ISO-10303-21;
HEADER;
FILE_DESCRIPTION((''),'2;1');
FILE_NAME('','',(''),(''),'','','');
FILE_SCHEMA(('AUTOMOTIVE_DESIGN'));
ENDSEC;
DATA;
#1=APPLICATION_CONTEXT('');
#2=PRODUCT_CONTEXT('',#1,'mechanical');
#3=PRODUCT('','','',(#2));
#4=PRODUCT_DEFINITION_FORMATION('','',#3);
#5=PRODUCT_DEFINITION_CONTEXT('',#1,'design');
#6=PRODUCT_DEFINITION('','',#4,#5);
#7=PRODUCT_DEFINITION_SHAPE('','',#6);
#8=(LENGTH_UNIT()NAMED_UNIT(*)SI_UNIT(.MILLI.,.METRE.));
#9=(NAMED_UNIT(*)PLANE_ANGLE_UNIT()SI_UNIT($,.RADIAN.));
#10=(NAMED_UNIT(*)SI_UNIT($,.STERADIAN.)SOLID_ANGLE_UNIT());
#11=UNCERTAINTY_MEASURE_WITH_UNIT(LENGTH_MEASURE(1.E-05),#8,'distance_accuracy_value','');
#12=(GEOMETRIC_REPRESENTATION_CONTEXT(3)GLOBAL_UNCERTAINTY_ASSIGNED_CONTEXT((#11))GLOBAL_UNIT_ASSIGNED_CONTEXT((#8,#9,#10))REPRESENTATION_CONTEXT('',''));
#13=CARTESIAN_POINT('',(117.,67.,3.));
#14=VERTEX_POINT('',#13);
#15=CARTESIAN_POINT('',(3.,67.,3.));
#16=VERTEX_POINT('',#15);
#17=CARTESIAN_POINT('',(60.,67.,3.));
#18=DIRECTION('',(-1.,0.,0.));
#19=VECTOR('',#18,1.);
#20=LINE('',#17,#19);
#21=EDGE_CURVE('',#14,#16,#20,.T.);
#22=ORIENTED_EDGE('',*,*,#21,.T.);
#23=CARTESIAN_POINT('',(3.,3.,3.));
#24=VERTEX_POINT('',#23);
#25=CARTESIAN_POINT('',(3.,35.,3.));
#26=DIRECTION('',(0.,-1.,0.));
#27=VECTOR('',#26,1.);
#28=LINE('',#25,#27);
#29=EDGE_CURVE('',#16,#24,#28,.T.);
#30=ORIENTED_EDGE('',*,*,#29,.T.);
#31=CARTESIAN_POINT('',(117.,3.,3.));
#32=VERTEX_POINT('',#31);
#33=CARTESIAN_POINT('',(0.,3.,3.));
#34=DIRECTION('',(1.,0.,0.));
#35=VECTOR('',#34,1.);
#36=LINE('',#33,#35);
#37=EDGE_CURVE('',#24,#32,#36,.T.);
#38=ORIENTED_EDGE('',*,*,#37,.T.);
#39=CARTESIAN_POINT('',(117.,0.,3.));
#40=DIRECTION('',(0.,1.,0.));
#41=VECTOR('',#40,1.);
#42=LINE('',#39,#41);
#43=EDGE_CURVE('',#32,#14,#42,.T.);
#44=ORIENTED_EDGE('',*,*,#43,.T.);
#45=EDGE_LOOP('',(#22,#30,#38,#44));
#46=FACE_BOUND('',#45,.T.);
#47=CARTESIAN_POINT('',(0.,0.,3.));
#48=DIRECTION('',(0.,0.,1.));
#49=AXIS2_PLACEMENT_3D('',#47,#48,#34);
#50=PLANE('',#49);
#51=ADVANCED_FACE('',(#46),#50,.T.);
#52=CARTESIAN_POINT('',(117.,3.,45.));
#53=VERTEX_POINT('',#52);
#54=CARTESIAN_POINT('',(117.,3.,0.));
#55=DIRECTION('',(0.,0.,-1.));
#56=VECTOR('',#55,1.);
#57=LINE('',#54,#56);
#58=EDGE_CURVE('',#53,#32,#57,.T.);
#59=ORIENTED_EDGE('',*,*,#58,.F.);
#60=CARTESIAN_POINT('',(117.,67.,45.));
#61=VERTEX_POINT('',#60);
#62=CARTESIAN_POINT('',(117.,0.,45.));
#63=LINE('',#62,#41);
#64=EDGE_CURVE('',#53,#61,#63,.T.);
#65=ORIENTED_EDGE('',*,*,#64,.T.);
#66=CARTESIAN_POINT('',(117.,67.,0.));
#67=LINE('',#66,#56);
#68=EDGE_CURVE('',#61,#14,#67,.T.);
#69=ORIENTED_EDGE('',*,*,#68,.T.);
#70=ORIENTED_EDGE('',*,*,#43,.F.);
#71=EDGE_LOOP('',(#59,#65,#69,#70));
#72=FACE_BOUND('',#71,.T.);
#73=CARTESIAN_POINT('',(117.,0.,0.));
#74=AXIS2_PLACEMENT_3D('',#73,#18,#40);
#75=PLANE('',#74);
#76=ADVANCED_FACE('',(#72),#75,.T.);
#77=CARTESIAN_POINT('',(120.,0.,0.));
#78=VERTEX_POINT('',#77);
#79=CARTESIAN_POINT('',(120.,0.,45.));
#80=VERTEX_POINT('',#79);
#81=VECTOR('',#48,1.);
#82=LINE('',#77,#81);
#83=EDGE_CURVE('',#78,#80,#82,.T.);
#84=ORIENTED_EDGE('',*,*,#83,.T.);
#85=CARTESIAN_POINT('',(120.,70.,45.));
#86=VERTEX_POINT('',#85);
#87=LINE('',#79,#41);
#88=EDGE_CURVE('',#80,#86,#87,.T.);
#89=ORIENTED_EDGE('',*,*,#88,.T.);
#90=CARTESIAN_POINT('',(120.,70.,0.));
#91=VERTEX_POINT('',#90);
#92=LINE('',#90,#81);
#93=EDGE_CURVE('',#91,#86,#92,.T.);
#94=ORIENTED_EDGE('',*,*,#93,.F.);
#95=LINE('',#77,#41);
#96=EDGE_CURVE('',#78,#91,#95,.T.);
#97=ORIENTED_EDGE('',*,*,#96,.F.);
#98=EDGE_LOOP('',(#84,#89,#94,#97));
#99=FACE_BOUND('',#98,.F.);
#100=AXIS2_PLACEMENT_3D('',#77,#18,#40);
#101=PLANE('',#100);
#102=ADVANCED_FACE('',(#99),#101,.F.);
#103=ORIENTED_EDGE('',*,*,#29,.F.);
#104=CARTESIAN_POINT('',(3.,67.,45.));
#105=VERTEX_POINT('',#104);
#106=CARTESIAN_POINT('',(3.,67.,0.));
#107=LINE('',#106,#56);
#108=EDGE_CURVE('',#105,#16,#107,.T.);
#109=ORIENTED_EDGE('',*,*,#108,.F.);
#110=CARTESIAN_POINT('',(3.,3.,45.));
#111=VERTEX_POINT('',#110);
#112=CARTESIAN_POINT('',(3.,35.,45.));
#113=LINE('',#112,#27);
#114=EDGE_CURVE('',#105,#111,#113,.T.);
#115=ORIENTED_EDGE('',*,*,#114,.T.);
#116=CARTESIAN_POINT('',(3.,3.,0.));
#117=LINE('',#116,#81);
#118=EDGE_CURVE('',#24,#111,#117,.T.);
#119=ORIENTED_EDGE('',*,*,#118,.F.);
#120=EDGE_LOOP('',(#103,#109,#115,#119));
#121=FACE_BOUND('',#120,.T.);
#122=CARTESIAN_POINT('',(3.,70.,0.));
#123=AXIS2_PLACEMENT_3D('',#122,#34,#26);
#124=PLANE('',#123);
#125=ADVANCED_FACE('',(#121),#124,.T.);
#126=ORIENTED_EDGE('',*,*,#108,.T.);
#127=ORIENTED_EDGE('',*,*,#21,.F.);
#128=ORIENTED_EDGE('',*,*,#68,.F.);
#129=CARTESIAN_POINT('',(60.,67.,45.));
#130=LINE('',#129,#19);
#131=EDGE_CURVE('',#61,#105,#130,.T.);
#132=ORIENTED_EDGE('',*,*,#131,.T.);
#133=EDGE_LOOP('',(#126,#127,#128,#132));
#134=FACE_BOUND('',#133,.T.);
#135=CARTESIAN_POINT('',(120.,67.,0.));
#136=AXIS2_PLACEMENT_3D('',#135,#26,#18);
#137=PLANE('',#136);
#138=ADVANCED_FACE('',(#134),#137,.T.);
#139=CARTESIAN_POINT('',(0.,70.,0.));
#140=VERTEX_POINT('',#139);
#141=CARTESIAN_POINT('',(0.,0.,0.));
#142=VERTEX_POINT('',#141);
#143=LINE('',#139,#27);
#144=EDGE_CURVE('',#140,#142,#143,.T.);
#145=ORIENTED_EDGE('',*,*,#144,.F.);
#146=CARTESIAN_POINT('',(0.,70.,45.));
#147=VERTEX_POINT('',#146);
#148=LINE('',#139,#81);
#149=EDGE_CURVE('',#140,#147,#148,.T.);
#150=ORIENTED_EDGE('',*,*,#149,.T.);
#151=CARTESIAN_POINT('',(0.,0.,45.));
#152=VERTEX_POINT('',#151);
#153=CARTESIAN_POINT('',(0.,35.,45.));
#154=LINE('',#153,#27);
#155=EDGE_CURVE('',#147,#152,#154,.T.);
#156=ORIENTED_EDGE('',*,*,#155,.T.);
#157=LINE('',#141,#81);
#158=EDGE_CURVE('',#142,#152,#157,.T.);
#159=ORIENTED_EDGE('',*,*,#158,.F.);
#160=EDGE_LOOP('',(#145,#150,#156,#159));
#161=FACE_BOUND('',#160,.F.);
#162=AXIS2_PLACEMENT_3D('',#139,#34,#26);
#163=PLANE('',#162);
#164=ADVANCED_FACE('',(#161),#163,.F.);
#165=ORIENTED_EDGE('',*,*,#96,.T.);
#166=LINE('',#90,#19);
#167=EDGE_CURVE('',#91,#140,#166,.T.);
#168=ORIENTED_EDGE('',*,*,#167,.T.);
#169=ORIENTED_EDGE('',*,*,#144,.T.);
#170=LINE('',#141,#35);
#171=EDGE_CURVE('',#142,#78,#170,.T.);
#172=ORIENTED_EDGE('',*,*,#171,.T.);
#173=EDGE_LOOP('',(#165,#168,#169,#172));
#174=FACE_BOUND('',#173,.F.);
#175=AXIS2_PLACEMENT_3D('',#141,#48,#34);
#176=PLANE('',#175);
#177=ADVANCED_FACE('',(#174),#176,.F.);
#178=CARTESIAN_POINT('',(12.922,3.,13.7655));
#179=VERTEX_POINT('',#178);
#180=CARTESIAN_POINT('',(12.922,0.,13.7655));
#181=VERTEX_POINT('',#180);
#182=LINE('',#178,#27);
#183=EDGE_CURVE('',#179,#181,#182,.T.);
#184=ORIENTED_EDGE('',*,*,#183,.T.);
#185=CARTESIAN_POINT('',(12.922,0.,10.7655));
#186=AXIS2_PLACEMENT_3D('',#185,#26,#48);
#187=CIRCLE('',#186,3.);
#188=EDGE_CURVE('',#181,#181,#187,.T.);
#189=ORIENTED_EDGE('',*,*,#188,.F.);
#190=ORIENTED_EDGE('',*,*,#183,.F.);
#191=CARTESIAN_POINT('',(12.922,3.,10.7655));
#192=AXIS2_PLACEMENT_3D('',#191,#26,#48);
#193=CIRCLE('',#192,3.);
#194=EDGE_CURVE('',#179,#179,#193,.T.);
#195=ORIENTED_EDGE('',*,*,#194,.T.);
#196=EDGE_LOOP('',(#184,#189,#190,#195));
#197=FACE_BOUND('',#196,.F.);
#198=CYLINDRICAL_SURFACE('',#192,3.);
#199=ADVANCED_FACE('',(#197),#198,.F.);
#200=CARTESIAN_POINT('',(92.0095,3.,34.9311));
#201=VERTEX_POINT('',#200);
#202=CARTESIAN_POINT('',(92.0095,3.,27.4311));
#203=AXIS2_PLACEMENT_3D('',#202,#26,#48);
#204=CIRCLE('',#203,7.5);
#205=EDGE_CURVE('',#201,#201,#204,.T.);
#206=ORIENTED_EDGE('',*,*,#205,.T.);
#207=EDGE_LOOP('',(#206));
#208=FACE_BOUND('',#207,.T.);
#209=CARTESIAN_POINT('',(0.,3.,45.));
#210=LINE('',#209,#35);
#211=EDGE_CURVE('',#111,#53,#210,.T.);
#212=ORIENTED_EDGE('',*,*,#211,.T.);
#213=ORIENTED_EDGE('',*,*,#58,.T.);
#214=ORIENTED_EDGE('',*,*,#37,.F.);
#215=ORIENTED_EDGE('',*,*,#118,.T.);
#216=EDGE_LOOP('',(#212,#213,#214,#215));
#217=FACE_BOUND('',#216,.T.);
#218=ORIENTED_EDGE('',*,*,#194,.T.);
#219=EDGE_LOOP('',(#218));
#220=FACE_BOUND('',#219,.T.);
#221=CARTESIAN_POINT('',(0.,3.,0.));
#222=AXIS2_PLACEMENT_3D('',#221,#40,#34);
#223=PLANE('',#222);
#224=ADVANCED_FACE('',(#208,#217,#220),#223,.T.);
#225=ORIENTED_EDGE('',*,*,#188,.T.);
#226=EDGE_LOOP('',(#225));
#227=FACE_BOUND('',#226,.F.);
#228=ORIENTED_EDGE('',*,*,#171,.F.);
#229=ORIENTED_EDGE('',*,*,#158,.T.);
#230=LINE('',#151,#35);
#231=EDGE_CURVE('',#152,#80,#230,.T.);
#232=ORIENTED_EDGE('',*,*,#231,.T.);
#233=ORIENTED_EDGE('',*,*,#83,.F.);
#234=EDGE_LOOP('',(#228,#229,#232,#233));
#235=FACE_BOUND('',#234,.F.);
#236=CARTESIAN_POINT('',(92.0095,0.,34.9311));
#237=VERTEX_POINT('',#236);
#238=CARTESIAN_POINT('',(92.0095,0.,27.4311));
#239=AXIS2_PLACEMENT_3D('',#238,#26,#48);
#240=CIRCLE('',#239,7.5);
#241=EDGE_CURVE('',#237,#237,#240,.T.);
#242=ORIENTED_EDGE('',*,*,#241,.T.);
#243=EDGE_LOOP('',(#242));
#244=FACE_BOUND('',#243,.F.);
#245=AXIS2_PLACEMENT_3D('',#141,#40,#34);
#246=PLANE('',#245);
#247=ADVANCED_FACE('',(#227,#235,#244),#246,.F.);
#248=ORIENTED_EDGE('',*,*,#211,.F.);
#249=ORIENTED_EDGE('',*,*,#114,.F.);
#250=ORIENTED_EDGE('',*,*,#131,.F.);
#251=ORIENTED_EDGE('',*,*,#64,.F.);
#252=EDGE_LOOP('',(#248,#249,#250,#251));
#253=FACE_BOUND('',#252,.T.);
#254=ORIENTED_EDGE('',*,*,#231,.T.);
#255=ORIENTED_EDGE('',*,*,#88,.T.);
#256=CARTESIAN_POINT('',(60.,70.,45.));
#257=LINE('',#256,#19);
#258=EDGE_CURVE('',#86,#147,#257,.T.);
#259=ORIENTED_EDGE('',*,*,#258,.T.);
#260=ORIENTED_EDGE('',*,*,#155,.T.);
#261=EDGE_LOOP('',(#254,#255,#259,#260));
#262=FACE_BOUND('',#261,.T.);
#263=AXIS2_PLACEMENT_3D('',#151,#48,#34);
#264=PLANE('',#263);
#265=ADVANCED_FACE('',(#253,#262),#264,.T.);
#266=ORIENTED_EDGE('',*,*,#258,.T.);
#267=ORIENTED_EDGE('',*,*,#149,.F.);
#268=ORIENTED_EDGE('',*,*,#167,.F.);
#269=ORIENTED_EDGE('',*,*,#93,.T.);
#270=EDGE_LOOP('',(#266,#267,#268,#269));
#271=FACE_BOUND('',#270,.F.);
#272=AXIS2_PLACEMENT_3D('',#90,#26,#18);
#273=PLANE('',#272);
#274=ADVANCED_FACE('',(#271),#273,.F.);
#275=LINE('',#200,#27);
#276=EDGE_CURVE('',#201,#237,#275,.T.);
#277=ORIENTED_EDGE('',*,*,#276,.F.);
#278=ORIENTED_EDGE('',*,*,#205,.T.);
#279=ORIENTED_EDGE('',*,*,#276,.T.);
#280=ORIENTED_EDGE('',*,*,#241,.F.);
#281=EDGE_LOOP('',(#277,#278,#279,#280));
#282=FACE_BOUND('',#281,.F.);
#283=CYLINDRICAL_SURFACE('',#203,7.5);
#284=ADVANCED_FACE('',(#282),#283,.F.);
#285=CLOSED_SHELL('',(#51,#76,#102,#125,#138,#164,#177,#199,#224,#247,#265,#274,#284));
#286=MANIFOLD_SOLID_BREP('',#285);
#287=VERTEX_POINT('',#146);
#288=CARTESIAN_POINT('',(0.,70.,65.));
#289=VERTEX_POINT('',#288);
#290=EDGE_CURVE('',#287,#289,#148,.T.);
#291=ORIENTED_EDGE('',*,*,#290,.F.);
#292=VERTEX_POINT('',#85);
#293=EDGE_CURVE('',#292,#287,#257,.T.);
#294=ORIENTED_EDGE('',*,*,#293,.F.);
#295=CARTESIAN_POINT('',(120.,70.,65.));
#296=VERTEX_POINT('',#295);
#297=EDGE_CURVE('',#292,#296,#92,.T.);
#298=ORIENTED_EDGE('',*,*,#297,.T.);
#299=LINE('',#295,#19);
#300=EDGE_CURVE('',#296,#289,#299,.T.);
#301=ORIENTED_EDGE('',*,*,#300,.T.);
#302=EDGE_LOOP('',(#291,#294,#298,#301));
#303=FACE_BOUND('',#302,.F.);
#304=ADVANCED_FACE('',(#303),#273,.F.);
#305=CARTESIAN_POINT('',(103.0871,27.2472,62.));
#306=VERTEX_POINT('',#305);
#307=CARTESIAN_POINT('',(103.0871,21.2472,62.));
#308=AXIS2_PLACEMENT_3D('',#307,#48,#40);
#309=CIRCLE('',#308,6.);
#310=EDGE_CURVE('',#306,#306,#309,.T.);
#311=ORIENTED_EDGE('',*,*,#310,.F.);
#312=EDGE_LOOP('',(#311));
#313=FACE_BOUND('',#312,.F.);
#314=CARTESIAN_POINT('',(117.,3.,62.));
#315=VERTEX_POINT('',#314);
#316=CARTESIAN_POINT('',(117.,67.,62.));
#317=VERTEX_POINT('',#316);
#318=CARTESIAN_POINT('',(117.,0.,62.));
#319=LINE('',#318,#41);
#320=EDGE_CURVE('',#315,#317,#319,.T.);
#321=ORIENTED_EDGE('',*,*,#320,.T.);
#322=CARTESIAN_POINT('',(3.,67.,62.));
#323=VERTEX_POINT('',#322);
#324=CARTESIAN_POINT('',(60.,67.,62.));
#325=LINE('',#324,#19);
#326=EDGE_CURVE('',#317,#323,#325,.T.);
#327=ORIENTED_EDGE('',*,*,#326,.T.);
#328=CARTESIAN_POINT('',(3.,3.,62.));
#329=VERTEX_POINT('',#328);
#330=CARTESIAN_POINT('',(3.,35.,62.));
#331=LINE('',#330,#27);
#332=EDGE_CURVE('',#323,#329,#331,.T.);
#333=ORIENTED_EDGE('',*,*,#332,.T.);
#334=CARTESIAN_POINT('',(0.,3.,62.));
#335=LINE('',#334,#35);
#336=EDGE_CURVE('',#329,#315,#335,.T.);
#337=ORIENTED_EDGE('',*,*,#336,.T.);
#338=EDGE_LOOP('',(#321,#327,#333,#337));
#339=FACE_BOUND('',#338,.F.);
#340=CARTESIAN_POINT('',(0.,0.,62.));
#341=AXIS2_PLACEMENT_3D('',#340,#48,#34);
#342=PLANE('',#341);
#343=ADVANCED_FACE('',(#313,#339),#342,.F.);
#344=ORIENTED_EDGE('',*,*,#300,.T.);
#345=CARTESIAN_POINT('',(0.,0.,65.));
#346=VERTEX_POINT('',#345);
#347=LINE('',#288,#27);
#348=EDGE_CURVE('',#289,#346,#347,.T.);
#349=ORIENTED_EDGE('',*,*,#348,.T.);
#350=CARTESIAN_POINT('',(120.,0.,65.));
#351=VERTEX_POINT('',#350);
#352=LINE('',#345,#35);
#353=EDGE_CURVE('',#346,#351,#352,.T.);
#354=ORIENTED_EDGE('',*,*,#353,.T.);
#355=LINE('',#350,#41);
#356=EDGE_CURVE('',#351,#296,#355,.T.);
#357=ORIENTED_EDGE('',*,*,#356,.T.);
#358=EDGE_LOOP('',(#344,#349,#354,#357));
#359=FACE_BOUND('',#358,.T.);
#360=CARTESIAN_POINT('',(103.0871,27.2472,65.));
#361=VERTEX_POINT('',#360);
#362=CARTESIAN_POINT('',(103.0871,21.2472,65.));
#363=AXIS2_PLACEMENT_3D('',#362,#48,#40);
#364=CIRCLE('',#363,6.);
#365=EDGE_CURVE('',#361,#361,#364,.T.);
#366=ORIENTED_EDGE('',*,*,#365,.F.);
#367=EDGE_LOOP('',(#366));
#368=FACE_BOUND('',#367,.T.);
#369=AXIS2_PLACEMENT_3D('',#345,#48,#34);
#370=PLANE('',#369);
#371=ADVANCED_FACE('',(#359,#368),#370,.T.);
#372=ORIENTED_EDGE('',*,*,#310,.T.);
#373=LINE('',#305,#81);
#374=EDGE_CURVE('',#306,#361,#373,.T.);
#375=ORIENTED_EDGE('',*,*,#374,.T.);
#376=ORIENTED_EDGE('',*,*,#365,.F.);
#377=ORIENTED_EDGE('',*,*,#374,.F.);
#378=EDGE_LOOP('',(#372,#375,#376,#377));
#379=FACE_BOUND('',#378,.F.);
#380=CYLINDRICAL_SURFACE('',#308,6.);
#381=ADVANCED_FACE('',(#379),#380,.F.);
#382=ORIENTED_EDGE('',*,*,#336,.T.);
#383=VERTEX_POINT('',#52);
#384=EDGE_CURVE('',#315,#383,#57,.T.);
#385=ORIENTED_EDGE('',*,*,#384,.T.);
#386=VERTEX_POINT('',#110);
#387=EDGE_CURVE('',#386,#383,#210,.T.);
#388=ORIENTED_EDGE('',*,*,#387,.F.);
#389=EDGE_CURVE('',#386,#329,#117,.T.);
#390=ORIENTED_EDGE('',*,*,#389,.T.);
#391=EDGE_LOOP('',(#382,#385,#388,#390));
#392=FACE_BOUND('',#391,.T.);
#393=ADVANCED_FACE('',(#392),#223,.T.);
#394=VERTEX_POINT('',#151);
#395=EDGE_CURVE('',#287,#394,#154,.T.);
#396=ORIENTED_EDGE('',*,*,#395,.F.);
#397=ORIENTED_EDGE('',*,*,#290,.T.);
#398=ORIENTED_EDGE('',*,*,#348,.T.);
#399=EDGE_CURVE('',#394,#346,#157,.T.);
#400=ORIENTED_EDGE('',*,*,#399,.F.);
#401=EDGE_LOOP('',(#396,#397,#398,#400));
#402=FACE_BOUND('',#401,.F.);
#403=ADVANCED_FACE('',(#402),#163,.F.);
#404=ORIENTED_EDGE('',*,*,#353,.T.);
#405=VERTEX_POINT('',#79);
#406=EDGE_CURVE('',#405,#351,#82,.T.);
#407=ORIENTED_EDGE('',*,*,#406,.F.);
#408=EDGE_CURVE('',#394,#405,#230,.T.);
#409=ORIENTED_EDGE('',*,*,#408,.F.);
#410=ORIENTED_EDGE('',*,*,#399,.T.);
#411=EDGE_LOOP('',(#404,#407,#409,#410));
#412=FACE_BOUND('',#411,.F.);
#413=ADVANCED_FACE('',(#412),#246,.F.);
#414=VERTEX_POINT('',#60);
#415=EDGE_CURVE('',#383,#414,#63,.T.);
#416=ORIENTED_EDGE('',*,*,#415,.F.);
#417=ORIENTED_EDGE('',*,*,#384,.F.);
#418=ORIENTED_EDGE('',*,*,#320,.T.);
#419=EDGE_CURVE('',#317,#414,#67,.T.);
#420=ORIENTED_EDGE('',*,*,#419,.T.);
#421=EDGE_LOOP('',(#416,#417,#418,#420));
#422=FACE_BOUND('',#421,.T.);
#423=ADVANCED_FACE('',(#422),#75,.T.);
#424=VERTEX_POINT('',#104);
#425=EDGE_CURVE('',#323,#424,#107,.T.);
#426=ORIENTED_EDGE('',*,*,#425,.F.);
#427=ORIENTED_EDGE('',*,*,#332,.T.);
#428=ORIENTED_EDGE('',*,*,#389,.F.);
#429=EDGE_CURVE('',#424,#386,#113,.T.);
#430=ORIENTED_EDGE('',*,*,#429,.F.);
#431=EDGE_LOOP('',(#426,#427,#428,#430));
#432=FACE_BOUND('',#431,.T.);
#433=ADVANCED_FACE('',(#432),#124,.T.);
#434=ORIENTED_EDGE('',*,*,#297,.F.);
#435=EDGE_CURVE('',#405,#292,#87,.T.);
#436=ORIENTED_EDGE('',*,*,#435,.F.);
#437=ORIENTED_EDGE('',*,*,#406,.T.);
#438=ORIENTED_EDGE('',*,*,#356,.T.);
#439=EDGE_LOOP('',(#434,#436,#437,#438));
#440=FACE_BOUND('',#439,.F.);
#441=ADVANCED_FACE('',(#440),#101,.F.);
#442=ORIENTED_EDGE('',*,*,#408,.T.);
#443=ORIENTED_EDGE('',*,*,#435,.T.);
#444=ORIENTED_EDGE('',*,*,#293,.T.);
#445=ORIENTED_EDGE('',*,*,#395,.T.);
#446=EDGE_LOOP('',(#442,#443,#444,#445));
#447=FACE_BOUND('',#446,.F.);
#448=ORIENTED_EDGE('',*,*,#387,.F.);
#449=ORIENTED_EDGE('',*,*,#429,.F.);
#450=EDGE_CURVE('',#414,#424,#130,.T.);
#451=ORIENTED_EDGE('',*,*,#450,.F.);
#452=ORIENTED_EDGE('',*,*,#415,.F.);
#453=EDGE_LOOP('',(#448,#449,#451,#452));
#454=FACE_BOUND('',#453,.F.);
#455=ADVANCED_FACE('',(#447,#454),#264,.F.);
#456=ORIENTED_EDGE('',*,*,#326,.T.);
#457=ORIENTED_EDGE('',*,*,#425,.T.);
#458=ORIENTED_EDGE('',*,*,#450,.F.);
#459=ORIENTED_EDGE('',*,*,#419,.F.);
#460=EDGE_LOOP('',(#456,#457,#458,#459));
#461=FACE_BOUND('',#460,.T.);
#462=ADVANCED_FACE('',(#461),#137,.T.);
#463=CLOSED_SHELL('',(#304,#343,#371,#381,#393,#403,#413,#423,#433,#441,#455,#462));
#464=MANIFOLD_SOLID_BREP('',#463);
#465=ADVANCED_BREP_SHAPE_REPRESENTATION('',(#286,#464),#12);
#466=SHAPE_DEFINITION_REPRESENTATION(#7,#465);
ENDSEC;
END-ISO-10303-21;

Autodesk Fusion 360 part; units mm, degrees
sketch "Sketch1" plane through (0, 0, 0) normal (0, 0, 1) x (1, 0, 0)
  line L0 (0, 0) -> (120, 0)
  line L1 (120, 0) -> (120, 70)
  line L2 (120, 70) -> (0, 70)
  line L3 (0, 70) -> (0, 0)
  dimension "d1" = 70
  dimension "d2" = 120
extrude "Extrude1" add sketch "Sketch1" along normal blind 65 makes body 1
shell "Shell1" thickness 3 removed faces 0 bodies 1
ref_plane "WorkPlane1" through (0, 0, 45) normal (0, 0, 1) x (1, 0, 0)
split "Split1" by plane through (0, 0, 45) normal (0, 0, 1) bodies 1 makes body 2 at (40, 46.6667, 65)
hole "Hole1" at (12.922, 3, 10.7655) direction (0, -1, 0) diameter 6 depth 20 tip angle 118 bodies 1
hole "Hole2" at (92.0095, 3, 27.4311) direction (0, -1, 0) diameter 15 depth 20 tip angle 118 bodies 1
hole "Hole3" at (103.0871, 21.2472, 62) direction (0, 0, 1) diameter 12 depth 20 tip angle 118 bodies 2
